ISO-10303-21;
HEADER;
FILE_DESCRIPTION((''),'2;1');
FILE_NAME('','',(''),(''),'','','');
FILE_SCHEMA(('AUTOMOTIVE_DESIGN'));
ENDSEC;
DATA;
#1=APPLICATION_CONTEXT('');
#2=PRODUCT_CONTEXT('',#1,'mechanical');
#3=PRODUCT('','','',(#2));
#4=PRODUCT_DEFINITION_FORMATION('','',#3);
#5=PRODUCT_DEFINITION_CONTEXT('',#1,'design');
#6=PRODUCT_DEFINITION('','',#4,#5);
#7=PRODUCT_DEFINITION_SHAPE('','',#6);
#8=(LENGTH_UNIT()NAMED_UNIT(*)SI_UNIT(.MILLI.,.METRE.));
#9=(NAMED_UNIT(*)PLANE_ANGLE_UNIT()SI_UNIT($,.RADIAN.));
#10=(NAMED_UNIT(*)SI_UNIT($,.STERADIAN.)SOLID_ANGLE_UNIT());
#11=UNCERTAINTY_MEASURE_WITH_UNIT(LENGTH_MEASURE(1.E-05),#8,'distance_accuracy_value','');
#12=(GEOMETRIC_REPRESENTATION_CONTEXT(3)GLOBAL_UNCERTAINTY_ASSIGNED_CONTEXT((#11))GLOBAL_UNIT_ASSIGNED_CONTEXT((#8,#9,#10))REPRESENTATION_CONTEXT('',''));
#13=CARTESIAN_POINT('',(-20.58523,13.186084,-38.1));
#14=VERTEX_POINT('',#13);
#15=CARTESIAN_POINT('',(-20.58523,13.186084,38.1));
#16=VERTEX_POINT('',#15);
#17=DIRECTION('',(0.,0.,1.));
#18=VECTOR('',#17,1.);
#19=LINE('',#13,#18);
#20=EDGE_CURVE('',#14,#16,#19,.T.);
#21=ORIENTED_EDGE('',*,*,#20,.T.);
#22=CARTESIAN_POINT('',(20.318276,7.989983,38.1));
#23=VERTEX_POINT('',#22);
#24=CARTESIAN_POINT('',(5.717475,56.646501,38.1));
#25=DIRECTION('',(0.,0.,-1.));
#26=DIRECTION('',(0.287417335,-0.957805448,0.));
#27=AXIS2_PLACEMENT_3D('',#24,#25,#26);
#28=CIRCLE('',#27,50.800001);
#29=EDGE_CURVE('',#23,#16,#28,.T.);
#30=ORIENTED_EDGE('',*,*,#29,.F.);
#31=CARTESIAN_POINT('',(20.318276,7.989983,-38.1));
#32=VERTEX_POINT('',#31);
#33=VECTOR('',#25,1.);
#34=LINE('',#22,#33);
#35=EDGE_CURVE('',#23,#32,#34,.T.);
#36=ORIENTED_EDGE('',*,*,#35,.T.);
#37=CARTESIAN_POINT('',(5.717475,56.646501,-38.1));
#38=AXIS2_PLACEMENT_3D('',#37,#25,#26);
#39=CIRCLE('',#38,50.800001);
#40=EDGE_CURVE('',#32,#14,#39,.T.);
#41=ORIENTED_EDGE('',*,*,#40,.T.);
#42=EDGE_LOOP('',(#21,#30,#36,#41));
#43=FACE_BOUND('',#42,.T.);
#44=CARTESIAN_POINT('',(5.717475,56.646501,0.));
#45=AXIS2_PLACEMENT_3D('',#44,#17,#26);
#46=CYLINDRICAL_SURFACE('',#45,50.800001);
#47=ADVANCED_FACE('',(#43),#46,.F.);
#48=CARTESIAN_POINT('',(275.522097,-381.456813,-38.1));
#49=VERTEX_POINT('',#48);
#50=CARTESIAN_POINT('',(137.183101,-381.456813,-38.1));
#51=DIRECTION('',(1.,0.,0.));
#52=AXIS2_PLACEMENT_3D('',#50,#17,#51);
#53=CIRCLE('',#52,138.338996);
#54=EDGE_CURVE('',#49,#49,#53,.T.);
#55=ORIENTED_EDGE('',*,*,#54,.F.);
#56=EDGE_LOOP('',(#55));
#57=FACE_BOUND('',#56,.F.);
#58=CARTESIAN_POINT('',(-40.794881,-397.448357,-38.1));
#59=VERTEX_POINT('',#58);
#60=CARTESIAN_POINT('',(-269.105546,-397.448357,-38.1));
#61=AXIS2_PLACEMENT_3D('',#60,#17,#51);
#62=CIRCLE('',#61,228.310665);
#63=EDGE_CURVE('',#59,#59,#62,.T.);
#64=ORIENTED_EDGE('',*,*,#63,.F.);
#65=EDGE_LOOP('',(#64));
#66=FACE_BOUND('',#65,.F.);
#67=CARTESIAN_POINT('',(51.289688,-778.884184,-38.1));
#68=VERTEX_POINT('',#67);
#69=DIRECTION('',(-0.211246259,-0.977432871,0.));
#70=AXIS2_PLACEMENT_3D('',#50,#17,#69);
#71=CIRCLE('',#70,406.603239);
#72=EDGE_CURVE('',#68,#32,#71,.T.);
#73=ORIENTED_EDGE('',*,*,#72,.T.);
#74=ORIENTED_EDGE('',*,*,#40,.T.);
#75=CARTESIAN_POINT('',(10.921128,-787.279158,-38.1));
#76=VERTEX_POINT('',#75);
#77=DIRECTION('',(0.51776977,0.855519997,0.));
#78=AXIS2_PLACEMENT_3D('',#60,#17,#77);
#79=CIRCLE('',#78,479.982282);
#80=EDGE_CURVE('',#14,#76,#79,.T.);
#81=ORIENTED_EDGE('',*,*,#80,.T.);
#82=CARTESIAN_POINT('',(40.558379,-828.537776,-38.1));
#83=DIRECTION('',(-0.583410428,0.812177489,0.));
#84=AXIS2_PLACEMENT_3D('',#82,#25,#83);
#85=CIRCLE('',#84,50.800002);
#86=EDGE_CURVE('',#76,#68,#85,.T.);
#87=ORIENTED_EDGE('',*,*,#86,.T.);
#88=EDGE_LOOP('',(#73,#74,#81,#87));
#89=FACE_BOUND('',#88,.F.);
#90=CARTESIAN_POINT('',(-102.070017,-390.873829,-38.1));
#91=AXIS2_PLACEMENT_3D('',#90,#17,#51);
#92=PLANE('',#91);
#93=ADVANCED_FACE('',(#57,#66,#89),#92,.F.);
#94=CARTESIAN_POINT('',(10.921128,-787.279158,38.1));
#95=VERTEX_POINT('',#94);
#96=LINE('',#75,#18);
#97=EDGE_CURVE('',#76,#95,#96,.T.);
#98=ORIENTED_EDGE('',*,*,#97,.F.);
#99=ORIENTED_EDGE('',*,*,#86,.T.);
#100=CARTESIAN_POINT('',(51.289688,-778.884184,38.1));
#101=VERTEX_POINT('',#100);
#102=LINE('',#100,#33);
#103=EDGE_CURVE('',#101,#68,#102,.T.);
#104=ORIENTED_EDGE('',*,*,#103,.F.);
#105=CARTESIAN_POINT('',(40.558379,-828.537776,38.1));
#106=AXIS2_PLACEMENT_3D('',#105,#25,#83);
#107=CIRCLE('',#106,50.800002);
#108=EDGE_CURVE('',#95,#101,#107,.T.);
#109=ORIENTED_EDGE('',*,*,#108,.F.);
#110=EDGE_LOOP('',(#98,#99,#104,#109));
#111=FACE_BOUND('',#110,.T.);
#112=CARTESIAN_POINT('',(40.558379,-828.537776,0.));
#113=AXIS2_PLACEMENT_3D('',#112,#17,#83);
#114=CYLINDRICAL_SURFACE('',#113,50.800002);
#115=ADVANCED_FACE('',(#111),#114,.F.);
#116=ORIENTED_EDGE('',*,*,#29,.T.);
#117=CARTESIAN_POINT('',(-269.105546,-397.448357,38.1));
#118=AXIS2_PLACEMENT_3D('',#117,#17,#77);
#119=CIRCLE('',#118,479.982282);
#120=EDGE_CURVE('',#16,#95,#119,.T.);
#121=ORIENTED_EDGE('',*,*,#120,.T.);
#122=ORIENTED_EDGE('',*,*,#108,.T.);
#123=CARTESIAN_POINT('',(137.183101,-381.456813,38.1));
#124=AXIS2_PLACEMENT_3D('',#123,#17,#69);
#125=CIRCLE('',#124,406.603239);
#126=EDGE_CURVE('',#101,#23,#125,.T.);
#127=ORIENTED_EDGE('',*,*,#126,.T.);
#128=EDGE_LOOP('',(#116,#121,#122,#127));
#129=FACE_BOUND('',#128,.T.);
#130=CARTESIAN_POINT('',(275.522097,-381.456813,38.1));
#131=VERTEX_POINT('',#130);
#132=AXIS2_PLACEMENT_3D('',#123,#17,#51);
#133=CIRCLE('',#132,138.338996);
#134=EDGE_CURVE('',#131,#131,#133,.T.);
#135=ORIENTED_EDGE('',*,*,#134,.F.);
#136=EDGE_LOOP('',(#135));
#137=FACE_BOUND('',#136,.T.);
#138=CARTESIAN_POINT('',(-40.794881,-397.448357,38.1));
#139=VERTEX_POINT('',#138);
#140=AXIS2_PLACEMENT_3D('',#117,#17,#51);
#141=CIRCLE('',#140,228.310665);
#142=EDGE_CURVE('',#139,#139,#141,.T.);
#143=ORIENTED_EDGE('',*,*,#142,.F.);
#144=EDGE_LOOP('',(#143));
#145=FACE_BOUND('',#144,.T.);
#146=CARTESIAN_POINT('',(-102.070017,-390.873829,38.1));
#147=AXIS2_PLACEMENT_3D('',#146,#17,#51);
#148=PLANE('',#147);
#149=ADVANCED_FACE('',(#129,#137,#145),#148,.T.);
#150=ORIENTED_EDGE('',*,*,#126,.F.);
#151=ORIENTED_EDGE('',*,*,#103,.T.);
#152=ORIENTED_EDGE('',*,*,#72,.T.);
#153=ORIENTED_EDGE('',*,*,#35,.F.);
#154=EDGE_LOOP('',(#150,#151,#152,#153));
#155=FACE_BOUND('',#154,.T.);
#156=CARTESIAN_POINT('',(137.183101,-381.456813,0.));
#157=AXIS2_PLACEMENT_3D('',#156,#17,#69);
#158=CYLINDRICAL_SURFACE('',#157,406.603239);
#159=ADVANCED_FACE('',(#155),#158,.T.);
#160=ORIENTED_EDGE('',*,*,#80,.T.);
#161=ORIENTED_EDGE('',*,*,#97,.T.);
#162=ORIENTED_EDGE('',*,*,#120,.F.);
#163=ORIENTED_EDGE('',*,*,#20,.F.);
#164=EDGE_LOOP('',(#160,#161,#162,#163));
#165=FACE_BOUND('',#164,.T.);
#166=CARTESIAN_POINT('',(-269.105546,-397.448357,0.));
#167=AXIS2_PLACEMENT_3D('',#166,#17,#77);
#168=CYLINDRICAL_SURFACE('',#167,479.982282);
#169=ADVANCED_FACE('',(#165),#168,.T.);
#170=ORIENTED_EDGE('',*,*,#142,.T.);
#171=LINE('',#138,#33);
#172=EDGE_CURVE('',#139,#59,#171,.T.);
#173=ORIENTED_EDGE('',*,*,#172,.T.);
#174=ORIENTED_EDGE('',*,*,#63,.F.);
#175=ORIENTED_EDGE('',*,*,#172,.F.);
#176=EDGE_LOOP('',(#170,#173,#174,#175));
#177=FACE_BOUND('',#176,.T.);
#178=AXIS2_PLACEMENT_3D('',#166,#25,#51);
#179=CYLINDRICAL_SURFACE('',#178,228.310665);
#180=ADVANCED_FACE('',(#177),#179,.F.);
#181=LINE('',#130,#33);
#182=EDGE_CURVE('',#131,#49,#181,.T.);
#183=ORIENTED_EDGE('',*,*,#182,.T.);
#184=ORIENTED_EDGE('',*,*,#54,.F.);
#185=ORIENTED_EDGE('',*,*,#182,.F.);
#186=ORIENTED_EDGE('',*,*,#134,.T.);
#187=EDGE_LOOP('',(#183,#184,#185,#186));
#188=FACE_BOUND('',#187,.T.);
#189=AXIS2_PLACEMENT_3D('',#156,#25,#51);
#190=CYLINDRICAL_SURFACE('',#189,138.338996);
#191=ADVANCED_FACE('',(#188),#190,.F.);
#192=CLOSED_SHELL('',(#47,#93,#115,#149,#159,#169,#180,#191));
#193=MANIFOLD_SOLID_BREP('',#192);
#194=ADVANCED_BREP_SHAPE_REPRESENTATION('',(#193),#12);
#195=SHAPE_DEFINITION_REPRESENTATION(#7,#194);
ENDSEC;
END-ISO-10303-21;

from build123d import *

# Parameters (mm, degrees)
F0_R     = 228.310665
F0_R_2   = 138.338996
F1_DEPTH = 38.1


with BuildPart() as f1:
    # F0 (on Top) → F1 (new body, symmetric)
    with BuildSketch(Plane.XY):
        with BuildLine():
            ThreePointArc((20.318276, 7.989983), (-0.684361, 6.251495), (-20.58523, 13.186084))
            ThreePointArc((-20.58523, 13.186084), (-748.716462, -416.32587), (10.921128, -787.279158))
            ThreePointArc((10.921128, -787.279158), (30.215383, -778.801847), (51.289688, -778.884184))
            ThreePointArc((51.289688, -778.884184), (543.471748, -365.465268), (20.318276, 7.989983))
        make_face()
        with Locations((-269.105546, -397.448357)):
            Circle(F0_R, mode=Mode.SUBTRACT)
        with Locations((137.183101, -381.456813)):
            Circle(F0_R_2, mode=Mode.SUBTRACT)
    extrude(amount=F1_DEPTH, both=True)


solid = f1.part
